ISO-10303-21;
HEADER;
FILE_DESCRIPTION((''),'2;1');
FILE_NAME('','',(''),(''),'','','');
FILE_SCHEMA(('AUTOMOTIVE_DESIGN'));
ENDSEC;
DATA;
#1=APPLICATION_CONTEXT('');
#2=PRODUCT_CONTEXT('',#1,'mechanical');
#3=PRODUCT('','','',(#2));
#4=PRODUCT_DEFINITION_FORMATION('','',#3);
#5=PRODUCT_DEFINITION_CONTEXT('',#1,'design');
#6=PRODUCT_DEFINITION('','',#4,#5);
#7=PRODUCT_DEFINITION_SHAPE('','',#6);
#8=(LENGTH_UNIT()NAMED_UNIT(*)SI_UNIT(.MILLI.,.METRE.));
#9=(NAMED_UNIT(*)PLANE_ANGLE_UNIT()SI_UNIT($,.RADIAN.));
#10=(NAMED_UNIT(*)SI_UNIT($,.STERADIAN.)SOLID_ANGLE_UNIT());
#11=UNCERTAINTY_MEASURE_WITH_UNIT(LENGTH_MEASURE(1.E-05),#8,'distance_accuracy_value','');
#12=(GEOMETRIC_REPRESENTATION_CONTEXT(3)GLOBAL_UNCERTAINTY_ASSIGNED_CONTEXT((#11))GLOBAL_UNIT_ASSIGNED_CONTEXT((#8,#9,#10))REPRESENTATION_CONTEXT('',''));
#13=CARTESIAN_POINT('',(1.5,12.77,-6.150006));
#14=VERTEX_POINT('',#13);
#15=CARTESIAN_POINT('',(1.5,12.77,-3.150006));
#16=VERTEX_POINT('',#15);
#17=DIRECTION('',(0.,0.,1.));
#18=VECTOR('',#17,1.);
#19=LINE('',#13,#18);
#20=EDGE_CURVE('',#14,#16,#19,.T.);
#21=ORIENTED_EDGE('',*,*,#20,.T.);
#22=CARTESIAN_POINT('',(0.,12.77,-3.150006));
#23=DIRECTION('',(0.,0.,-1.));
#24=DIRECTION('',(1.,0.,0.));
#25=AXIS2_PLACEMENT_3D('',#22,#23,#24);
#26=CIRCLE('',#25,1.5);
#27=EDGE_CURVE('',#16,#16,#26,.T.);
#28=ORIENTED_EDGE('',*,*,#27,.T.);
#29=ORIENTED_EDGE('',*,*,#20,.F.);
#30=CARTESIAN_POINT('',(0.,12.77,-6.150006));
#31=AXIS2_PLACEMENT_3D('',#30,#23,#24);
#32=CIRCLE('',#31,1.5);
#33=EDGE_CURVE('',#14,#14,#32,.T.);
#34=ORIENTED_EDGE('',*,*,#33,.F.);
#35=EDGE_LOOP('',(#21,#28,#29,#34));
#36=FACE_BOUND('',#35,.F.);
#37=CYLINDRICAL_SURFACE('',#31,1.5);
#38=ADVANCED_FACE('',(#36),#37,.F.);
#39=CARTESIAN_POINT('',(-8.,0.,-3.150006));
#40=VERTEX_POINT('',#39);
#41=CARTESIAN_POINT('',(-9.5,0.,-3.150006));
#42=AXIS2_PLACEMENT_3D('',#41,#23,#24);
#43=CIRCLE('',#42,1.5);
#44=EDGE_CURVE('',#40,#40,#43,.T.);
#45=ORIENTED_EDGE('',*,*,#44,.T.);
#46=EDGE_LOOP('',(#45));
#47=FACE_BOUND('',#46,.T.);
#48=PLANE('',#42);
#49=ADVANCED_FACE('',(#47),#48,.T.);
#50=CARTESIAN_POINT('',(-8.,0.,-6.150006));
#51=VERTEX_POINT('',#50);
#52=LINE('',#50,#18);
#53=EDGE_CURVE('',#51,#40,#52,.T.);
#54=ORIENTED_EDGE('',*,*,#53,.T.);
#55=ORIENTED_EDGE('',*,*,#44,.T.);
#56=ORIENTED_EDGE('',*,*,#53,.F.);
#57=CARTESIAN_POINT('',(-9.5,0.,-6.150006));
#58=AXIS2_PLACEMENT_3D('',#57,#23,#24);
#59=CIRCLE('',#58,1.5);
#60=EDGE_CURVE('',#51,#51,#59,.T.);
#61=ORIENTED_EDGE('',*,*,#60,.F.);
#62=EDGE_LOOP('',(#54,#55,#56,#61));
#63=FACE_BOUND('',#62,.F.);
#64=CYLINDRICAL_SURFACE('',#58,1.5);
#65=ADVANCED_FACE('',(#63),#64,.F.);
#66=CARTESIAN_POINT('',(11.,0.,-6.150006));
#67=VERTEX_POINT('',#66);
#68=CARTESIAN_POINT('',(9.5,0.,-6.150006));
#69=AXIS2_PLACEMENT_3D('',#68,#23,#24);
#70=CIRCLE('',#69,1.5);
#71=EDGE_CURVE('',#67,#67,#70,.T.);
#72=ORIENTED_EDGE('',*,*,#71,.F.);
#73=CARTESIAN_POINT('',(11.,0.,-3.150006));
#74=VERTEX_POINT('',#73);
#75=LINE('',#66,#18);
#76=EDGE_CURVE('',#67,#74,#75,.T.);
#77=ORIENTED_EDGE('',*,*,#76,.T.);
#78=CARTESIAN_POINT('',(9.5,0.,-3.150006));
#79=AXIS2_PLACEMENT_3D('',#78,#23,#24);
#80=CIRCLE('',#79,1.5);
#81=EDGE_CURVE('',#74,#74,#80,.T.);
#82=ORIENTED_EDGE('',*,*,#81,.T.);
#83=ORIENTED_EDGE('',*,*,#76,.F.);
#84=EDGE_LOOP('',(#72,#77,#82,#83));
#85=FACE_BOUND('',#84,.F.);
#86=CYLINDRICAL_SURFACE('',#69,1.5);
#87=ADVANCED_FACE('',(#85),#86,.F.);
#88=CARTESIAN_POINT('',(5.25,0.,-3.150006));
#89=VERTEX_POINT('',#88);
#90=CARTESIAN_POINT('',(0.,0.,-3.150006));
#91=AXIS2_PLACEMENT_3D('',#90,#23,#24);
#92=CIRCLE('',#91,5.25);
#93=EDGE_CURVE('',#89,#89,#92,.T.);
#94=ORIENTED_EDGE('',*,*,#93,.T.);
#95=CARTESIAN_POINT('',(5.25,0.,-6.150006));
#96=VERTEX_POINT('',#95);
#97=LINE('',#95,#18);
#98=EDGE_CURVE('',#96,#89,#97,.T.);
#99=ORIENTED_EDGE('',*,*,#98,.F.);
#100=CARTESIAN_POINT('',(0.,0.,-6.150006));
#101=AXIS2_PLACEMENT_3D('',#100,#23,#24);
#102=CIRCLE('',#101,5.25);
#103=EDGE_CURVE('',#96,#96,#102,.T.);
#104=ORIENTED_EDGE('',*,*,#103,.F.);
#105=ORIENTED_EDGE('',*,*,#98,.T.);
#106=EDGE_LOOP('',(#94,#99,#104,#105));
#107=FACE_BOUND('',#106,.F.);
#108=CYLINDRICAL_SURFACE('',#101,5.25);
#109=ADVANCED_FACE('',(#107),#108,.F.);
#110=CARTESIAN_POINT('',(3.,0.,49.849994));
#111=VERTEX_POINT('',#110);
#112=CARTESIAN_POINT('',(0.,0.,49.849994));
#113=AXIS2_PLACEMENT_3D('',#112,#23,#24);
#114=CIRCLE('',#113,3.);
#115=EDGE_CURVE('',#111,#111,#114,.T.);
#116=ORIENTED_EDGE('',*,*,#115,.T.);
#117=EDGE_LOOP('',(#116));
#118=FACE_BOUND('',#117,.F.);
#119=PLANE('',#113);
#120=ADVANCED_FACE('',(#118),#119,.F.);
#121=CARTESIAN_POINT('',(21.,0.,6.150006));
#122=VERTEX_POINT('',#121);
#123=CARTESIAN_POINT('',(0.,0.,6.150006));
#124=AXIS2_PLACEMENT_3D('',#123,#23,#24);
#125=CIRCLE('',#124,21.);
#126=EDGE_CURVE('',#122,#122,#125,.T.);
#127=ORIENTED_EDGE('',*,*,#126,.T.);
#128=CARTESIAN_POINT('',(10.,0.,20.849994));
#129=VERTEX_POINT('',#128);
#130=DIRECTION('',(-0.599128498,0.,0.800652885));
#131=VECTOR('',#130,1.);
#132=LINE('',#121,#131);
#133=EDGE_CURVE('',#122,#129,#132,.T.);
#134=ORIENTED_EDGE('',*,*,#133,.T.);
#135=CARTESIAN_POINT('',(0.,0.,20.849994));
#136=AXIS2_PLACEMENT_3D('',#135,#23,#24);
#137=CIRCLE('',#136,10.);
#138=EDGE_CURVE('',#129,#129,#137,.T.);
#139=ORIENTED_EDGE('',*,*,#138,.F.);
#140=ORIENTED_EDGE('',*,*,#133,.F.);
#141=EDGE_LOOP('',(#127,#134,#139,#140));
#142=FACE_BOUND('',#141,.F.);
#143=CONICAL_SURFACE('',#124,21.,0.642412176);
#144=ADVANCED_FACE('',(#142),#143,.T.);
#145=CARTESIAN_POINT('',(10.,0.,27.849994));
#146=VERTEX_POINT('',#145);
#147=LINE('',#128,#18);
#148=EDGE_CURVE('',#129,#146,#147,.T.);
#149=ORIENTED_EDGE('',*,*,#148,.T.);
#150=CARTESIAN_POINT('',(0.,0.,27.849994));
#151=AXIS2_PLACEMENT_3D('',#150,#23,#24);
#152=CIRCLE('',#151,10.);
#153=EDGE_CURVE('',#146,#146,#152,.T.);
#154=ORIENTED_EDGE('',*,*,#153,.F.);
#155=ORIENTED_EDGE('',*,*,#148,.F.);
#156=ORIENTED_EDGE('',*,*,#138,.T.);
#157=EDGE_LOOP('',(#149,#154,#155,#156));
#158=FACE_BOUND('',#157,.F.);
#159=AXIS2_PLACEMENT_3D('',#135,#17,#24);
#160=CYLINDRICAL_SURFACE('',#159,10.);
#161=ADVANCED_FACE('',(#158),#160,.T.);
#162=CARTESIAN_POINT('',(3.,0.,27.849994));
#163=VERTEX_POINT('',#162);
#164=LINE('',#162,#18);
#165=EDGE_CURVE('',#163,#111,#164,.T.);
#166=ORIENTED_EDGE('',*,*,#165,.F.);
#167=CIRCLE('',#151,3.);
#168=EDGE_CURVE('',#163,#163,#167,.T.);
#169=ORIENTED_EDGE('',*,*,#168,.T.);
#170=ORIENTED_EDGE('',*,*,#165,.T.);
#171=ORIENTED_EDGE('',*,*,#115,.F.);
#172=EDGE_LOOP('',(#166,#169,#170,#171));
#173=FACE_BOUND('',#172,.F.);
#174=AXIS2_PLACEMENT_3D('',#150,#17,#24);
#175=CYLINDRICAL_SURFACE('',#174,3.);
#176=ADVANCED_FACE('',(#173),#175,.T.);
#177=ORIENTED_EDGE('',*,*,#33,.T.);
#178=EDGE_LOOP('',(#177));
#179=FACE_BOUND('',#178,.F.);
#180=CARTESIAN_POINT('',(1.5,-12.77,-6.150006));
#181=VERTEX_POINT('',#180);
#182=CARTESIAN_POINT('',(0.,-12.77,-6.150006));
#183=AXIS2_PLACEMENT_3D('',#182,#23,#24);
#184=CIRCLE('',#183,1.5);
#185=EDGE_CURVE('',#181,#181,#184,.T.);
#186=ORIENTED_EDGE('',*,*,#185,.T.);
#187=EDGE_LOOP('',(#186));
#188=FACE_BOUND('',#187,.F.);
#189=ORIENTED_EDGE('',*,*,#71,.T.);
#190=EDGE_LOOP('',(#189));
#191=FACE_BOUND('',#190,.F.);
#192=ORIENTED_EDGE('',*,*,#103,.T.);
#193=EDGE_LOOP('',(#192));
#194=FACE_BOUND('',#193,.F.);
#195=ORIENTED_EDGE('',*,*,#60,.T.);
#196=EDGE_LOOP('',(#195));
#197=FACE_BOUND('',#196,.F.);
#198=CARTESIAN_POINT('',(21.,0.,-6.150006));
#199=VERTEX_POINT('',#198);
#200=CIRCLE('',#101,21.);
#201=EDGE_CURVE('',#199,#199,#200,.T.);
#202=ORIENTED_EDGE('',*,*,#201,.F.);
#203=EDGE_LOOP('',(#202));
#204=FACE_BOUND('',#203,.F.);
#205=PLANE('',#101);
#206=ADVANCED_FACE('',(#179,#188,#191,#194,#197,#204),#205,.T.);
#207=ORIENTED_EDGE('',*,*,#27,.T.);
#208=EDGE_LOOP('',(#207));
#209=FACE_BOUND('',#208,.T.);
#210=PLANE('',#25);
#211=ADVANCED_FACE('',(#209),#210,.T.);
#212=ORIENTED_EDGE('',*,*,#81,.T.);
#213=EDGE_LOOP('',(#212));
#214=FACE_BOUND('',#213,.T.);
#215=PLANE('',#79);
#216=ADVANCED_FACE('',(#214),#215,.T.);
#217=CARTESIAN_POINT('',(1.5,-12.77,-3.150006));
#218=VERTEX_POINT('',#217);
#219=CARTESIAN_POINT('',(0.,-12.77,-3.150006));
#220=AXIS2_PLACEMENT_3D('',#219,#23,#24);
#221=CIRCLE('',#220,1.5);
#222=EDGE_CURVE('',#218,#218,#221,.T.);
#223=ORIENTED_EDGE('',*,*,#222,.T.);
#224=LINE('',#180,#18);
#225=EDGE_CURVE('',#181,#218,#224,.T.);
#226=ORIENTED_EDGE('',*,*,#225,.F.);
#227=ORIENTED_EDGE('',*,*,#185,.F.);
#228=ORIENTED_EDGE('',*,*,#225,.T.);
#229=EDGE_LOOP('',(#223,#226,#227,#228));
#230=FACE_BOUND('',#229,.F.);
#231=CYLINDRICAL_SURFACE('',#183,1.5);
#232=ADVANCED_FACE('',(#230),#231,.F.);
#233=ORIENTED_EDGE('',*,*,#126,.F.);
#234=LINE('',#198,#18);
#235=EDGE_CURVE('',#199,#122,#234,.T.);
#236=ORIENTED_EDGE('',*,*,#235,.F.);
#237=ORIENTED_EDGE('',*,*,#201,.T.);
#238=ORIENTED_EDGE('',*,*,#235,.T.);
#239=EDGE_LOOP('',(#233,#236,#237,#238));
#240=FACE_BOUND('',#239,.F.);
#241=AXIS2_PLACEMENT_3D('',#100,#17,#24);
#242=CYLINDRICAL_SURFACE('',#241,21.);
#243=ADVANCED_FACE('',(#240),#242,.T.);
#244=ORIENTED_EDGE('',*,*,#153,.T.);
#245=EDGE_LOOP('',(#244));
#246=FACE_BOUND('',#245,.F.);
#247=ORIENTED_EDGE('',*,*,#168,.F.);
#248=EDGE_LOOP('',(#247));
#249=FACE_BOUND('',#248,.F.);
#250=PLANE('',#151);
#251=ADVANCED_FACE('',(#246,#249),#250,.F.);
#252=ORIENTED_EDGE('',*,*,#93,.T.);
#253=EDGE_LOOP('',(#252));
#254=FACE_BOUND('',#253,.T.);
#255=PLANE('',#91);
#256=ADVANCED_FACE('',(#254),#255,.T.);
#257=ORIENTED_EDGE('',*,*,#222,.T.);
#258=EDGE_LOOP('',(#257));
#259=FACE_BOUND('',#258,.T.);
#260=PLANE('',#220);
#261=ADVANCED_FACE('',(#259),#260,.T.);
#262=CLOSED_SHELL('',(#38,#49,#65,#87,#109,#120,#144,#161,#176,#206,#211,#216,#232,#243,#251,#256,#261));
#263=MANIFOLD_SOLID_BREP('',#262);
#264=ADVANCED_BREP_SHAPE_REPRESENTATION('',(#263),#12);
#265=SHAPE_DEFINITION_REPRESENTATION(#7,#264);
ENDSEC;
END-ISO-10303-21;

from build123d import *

# Parameters (mm, degrees)
F2_R     = 5.25
F2_R_2   = 1.5
F3_DEPTH = 3


with BuildPart() as f1:
    # F0 (on Front) → F1 (revolve)
    with BuildSketch(Plane.XZ):
        Polygon((0, 49.849994), (0, -6.150006), (21, -6.150006), (21, 6.150006), (10, 20.849994), (10, 27.849994), (3, 27.849994), (3, 49.849994), align=None)
    revolve(axis=Axis((0, 0, 20.970297), (0, 0, -1)))

    # F2 (on face) → F3 (cut)
    with BuildSketch(Plane(origin=(0, 0, -6.150006), x_dir=(1, 0, 0), z_dir=(0, 0, -1))):
        Circle(F2_R)
        with Locations((0, -12.77)):
            Circle(F2_R_2)
        with Locations((9.5, 0)):
            Circle(F2_R_2)
        with Locations((-9.5, 0)):
            Circle(F2_R_2)
        with Locations((0, 12.77)):
            Circle(F2_R_2)
    extrude(amount=-F3_DEPTH, mode=Mode.SUBTRACT)


solid = f1.part
